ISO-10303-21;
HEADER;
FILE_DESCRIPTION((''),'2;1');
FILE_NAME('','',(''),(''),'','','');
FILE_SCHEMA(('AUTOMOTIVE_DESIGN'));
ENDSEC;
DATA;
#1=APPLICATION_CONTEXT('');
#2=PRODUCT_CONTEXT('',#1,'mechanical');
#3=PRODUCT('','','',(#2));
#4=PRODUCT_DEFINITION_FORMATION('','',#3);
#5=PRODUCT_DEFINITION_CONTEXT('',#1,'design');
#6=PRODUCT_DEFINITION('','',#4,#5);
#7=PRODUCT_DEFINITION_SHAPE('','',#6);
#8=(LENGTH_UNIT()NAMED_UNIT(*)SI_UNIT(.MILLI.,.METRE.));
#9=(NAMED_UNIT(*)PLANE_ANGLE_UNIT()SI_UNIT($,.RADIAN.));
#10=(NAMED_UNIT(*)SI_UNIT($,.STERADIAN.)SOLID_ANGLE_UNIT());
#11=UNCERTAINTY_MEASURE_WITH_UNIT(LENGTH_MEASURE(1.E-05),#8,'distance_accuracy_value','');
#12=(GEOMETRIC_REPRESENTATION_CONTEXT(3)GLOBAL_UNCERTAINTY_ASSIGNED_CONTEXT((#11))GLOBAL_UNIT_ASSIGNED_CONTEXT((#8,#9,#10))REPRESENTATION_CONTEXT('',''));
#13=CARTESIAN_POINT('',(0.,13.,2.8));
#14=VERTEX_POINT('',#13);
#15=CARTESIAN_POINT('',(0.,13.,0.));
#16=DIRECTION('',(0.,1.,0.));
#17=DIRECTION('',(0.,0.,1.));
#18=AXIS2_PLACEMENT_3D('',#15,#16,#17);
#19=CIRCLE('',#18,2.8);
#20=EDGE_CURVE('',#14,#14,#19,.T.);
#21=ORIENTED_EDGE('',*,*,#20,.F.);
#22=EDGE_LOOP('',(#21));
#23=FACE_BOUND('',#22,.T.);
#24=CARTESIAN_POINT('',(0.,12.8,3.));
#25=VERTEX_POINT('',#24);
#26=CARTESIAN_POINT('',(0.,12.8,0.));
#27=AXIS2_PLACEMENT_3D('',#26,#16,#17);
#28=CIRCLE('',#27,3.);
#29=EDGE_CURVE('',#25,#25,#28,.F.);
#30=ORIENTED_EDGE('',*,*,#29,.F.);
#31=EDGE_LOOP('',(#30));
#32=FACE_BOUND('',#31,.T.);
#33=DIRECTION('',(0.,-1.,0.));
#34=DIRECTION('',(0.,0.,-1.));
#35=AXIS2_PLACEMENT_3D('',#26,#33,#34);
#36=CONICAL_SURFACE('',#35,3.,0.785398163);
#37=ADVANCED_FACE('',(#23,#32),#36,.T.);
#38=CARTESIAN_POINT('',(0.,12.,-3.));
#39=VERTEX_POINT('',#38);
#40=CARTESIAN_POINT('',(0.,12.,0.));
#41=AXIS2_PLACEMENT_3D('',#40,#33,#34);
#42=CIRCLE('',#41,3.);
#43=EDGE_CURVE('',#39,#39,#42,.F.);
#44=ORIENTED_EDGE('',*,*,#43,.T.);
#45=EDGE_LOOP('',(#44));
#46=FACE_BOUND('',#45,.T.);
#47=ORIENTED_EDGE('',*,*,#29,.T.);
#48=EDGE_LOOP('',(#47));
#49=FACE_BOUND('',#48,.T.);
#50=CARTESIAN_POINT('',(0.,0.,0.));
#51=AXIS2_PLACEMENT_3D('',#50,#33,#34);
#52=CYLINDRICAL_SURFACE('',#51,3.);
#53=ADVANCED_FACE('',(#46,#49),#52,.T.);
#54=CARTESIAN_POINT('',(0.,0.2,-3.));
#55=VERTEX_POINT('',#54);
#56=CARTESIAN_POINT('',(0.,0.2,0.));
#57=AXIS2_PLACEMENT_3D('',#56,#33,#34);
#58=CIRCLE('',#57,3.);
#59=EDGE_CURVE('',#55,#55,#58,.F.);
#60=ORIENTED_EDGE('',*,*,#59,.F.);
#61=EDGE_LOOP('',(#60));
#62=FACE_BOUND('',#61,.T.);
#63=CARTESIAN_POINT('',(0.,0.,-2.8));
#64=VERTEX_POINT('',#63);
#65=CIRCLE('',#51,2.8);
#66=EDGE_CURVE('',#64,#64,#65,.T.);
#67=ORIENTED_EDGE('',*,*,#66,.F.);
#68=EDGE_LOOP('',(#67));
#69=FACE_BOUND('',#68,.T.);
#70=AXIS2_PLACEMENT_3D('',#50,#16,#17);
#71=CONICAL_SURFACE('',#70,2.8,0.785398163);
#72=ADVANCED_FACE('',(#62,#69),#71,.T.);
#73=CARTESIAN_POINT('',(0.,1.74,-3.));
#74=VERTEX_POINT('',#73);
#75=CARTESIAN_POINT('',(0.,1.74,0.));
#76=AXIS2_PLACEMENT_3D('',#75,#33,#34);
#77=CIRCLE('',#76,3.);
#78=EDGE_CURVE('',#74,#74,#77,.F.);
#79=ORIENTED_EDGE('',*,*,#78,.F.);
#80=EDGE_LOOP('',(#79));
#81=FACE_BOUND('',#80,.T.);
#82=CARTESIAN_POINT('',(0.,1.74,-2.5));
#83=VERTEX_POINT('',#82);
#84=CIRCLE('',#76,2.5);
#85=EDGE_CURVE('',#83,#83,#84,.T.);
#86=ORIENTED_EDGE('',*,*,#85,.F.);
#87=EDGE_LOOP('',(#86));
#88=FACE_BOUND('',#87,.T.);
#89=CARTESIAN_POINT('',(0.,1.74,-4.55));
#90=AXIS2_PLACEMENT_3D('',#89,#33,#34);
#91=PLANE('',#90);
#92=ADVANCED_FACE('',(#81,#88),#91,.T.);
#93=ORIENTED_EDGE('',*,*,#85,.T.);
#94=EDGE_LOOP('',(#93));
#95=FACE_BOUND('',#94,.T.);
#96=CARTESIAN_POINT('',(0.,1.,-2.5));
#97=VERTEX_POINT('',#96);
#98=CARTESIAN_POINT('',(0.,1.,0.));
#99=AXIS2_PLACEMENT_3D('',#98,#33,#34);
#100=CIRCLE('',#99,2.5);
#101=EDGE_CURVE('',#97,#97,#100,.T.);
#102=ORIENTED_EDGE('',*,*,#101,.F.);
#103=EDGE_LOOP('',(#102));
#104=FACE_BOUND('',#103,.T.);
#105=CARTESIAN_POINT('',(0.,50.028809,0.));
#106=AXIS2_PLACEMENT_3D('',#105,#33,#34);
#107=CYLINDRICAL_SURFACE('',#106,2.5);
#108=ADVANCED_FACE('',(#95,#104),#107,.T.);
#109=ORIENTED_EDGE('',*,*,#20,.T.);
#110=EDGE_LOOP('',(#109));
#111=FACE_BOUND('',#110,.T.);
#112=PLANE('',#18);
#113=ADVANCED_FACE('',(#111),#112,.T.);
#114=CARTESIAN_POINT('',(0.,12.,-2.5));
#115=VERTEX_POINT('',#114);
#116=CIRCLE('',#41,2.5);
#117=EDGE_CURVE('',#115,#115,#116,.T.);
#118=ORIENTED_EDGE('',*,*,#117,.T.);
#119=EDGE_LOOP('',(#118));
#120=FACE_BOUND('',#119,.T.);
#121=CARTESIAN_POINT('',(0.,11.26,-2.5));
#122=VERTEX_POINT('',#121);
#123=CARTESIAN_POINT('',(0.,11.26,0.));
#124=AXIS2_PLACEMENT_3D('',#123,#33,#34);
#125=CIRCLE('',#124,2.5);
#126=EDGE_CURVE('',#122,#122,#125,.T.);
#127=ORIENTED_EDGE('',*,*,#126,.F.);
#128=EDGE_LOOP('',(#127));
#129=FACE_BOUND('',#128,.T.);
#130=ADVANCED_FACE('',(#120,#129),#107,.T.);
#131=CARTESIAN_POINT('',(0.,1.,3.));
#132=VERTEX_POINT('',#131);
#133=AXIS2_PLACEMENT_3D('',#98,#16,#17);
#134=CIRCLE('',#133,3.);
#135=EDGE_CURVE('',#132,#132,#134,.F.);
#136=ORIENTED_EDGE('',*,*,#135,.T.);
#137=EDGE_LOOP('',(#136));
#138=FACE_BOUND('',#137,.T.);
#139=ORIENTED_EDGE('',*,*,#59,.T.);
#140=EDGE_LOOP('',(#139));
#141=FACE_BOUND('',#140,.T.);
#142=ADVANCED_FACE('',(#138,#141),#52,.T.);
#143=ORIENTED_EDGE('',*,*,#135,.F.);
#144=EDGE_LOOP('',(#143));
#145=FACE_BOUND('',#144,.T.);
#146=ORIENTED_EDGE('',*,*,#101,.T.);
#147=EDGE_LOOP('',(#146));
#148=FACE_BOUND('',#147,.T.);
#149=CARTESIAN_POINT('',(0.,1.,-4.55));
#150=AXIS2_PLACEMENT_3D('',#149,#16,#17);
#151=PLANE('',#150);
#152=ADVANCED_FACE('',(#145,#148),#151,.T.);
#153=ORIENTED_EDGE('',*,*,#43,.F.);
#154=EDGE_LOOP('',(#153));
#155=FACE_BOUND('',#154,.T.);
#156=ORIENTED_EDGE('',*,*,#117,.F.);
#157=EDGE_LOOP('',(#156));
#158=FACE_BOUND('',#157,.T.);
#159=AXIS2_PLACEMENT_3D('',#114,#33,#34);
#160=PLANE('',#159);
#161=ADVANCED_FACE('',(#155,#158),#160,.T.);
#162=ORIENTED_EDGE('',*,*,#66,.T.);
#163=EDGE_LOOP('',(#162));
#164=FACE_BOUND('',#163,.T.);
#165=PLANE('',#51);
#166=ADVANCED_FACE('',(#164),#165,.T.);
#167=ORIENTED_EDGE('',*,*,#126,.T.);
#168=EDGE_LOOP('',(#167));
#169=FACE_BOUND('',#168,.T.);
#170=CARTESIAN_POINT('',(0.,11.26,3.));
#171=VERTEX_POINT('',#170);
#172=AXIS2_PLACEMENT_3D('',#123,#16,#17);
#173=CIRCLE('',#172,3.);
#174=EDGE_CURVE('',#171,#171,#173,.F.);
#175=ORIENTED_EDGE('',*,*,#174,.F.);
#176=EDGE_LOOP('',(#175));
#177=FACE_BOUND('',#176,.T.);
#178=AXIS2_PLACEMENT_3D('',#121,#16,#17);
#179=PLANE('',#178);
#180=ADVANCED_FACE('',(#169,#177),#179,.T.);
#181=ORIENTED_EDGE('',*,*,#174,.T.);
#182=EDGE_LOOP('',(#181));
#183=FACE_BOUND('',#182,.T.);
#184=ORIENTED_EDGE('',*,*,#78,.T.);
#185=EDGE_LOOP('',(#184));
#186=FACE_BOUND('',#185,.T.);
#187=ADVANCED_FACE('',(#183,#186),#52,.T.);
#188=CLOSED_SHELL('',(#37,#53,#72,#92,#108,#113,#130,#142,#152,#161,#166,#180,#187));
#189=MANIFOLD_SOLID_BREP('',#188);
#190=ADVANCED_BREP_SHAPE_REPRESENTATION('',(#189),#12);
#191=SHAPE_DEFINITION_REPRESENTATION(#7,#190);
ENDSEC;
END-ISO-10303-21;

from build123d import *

# Parameters (mm, degrees)
SKETCH1_W       = 3
SKETCH1_H       = 13
SKETCH5_W       = 2.05
SKETCH5_H       = 0.74
CHANFREIN1_SIZE = 0.2


with BuildPart() as part:
    # Sketch1 → Revolve1 (revolve)
    with BuildSketch(Plane.XY):
        with Locations((1.5, 6.5)):
            Rectangle(SKETCH1_W, SKETCH1_H)
    revolve(axis=Axis((0, 0, 0), (0, 1, 0)))

    # Sketch5 → Groove for DIN 471 - 4 x 0.4, Circlip for shafts - normal1 (revolve, cut)
    with BuildSketch(Plane(origin=(0, 0, 0), x_dir=(0, 0, -1), z_dir=(-1, 0, 0))):
        with Locations((3.525, -1.37)):
            Rectangle(SKETCH5_W, SKETCH5_H)
        with Locations((3.525, -11.63)):
            Rectangle(SKETCH5_W, SKETCH5_H)
    revolve(axis=Axis((0, 50.028808754, 0), (0, -1, 0)), mode=Mode.SUBTRACT)

    # Chanfrein1
    chanfrein1_edges = [part.edges().sort_by_distance(p)[0] for p in [
        (-3, 0, 0),
        (-3, 13, 0),
    ]]
    chamfer(chanfrein1_edges, length=CHANFREIN1_SIZE)


solid = part.part
